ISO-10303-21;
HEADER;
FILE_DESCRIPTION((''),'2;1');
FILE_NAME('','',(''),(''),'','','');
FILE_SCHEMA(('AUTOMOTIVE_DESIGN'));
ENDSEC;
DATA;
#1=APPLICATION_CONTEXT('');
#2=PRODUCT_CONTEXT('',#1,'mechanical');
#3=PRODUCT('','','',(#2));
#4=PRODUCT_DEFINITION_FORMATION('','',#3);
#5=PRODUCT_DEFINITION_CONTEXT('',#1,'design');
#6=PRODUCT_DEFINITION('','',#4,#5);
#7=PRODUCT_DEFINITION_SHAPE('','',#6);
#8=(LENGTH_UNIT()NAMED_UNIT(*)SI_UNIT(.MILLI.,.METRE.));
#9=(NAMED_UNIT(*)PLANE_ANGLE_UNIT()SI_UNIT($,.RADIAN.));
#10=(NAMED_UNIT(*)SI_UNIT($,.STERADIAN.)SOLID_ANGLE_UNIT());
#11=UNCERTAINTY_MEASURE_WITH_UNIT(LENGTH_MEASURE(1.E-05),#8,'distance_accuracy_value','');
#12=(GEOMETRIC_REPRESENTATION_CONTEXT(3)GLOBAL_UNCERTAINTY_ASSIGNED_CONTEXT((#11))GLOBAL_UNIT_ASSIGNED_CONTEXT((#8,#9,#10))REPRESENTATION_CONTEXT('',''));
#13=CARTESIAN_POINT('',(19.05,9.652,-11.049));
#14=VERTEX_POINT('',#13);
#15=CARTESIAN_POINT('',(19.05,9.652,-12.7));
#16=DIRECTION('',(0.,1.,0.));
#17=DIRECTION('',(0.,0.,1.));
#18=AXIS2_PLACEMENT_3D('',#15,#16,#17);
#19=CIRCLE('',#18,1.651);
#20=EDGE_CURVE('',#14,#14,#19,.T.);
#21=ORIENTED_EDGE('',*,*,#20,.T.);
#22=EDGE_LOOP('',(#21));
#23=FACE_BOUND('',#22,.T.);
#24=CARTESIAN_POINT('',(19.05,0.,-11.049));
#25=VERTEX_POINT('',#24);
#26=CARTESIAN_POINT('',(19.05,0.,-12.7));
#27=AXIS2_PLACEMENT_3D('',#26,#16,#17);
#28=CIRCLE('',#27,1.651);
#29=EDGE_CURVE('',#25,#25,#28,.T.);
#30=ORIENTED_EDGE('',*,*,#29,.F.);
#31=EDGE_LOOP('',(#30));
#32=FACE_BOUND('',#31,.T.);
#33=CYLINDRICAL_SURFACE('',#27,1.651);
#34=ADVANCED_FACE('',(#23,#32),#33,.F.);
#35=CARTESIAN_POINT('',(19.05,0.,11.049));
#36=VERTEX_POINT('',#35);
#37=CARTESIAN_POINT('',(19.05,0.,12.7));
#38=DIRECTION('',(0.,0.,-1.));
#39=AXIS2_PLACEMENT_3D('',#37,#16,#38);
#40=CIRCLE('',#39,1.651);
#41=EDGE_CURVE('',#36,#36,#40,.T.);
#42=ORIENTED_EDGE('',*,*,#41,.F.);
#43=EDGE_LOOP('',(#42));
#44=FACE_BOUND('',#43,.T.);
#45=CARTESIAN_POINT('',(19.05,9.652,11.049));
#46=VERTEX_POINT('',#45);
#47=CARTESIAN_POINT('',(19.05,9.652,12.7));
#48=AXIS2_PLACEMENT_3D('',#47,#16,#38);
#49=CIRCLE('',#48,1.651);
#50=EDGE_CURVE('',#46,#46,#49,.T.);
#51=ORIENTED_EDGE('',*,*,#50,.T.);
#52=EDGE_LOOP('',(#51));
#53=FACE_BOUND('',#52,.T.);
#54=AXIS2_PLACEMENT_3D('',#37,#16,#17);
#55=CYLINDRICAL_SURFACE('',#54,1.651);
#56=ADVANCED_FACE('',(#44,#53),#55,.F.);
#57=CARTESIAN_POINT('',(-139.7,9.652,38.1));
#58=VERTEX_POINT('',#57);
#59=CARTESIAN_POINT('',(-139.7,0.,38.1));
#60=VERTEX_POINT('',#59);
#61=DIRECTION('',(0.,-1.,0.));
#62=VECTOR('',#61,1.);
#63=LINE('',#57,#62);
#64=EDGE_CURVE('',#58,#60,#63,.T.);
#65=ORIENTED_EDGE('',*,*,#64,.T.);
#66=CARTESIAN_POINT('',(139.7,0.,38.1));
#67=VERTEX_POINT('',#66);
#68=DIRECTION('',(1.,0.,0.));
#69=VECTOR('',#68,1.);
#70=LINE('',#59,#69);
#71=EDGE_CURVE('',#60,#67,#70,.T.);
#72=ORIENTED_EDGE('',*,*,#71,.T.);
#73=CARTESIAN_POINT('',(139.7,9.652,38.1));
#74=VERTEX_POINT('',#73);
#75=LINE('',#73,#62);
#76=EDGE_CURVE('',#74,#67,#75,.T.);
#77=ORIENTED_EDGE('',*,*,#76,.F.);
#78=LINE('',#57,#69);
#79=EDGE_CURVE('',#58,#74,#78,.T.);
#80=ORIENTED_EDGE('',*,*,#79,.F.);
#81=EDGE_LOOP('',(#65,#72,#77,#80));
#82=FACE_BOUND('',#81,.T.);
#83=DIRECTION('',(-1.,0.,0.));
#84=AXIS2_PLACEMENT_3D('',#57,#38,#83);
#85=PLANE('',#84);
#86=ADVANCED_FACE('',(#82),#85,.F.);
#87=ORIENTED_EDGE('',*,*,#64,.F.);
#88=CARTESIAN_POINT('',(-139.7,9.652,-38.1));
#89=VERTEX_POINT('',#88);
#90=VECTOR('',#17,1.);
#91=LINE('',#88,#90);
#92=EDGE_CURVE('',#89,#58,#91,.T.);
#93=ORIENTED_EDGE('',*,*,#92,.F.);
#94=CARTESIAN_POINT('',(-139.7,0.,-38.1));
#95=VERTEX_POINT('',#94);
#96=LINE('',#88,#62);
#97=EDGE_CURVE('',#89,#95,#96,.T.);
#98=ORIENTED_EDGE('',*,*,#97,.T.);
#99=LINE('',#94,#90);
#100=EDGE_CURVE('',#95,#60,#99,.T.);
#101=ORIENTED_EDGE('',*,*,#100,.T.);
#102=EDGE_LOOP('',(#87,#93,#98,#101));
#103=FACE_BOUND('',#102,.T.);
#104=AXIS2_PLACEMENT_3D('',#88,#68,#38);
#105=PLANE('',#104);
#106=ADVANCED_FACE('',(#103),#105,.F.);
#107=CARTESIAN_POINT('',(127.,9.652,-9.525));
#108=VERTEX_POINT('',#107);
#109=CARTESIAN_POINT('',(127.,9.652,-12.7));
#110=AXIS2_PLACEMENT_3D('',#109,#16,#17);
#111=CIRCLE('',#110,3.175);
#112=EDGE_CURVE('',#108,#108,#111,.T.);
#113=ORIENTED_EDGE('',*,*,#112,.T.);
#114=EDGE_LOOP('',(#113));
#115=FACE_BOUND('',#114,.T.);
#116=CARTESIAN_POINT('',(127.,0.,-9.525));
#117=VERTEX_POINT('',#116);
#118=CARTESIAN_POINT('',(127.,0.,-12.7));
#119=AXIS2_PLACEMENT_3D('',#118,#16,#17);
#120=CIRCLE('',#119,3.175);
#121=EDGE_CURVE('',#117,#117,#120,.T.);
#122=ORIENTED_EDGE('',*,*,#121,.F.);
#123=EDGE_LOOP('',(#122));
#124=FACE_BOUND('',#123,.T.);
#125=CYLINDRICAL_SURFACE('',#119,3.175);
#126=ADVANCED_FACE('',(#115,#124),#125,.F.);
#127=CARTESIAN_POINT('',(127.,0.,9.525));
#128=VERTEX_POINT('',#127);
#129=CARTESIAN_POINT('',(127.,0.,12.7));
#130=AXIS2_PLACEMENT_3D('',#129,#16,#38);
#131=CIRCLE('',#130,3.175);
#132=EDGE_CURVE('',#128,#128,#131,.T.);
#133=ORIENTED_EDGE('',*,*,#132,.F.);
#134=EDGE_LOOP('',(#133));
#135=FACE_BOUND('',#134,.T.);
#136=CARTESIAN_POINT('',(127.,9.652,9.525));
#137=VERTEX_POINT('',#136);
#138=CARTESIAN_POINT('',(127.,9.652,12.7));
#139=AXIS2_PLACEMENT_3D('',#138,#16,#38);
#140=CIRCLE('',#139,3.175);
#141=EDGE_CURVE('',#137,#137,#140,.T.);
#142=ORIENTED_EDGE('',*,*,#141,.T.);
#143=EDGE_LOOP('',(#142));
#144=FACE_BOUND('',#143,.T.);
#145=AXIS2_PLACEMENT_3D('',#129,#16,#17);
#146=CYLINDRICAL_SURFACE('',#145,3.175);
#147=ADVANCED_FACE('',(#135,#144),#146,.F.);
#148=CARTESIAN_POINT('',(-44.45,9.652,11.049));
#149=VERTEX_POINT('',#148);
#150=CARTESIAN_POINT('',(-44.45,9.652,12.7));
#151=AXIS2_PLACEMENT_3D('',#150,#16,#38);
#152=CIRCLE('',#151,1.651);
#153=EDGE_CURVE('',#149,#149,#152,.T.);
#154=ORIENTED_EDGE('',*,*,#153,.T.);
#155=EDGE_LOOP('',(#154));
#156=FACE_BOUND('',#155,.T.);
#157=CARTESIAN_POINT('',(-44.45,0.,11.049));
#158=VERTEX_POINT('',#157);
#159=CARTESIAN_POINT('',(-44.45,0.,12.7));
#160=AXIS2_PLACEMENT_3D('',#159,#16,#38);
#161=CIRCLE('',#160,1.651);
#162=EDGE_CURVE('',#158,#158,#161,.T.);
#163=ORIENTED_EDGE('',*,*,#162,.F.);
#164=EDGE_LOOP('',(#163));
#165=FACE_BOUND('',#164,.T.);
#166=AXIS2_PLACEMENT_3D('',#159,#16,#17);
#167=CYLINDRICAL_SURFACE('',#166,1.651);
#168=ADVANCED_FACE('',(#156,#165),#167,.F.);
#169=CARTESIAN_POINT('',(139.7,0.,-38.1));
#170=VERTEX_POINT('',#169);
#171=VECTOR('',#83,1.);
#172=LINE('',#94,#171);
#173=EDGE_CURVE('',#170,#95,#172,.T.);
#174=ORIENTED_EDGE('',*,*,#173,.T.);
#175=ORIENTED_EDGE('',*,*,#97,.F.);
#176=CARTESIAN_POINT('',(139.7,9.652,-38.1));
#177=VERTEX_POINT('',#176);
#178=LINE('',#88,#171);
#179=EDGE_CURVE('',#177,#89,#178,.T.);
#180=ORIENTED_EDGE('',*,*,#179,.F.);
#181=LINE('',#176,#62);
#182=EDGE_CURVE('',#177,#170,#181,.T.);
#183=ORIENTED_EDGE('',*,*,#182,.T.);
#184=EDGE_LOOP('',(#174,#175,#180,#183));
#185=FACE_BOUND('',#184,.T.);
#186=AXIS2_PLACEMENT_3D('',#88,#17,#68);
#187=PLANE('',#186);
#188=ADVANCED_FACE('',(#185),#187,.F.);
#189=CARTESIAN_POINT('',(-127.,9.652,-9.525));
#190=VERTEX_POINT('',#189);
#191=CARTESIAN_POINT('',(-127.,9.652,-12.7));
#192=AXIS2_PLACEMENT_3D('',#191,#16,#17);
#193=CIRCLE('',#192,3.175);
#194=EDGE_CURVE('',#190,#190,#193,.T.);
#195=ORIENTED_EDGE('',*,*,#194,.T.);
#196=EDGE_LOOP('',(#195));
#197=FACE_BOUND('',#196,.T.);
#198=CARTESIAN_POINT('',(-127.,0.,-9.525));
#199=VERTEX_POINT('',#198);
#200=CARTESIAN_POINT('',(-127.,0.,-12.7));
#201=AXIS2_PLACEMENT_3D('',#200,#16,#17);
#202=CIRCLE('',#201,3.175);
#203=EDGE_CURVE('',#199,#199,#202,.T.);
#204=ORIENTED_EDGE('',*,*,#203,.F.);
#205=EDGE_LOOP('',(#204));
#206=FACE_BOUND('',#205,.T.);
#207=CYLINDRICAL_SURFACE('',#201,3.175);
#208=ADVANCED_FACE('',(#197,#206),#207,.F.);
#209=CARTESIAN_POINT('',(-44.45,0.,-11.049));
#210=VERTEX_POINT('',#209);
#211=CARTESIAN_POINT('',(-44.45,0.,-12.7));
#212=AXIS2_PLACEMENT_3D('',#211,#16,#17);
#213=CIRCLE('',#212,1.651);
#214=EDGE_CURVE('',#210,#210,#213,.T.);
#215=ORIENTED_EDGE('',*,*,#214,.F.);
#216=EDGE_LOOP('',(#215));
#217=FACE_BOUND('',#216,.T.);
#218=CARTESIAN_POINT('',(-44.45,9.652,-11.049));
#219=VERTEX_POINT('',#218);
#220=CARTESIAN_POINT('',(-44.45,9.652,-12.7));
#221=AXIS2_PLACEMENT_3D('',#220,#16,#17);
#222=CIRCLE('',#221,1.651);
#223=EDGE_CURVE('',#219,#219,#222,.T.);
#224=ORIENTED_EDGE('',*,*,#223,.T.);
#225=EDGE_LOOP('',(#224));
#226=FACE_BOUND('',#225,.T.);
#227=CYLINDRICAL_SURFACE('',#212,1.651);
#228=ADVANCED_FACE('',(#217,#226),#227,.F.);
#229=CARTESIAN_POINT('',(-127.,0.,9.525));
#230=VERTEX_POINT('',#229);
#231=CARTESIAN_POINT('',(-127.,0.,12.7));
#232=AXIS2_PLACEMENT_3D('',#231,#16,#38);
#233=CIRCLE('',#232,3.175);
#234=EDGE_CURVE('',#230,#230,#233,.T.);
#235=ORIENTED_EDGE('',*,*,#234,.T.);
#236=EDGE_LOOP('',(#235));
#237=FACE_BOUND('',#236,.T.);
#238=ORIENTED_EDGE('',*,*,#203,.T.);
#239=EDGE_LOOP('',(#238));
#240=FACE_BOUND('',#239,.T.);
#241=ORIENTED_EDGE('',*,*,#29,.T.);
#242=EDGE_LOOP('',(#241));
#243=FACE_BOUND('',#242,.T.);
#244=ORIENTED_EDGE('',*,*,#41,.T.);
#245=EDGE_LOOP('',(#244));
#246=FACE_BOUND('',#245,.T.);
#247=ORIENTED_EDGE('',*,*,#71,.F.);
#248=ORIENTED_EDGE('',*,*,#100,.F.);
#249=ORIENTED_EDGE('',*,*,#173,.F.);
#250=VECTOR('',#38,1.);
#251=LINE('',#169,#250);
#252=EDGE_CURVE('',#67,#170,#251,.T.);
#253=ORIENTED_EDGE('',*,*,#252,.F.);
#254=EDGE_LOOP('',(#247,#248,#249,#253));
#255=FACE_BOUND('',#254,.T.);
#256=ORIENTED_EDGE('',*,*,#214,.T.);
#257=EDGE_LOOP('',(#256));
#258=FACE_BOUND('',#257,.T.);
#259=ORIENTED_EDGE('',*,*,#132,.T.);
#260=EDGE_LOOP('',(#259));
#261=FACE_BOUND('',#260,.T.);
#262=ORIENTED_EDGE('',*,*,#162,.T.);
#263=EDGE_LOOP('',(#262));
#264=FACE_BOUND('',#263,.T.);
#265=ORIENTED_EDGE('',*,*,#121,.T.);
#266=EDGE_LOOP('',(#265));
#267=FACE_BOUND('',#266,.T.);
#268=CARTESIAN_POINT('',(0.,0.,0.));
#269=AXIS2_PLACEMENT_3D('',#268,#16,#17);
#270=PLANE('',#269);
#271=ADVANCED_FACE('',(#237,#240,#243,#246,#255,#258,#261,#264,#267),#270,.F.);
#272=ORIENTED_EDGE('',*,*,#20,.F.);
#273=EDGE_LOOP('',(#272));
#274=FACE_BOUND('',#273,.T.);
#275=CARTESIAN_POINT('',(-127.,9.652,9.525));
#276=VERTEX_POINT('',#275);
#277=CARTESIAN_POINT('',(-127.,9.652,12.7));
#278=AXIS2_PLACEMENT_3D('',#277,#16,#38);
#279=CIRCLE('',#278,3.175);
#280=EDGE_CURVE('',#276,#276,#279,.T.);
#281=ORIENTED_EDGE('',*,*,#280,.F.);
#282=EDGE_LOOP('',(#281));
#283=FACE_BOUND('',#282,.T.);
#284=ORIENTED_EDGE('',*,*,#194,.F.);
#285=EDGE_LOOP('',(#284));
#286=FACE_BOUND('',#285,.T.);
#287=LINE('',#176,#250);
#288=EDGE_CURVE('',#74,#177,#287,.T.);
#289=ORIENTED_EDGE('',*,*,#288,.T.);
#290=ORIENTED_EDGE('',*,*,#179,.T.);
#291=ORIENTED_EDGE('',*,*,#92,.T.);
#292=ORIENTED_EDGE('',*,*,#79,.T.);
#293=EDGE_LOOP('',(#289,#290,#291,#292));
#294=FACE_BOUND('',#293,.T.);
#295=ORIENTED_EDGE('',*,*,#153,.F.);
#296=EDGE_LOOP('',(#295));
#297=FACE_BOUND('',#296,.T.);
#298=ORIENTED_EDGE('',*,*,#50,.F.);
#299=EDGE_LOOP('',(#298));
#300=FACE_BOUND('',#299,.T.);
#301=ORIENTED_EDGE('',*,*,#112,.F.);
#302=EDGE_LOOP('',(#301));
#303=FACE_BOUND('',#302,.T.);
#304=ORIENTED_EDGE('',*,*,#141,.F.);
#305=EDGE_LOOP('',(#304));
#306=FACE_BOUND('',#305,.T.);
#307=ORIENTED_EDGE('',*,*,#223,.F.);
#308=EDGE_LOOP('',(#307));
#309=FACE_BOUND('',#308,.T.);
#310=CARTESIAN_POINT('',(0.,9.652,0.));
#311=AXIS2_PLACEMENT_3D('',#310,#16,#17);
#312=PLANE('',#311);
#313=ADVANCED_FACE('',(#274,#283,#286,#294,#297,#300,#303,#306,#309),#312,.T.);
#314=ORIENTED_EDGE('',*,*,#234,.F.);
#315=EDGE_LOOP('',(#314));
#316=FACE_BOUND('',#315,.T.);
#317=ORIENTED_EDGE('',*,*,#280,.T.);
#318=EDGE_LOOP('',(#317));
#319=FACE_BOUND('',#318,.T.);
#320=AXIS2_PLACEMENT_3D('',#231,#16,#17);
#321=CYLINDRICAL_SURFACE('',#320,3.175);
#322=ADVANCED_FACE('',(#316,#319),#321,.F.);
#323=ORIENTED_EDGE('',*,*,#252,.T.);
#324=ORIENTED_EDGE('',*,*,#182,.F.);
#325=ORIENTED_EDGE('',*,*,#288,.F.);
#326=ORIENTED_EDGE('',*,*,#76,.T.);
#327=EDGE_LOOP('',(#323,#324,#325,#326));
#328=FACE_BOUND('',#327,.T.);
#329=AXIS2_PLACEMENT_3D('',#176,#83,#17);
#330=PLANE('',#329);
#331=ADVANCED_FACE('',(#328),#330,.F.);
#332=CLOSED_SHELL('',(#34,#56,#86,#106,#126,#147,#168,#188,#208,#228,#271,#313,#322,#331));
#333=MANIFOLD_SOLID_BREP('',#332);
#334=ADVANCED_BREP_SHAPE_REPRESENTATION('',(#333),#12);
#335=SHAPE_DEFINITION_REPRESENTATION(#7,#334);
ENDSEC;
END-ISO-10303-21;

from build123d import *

# Parameters (mm, degrees)
SKETCH1_W           = 279.4
SKETCH1_H           = 76.2
BOSS_EXTRUDE1_DEPTH = 9.652
SKETCH2_R           = 3.175
SKETCH2_R_2         = 1.651
CUT_EXTRUDE1_DEPTH  = 9.652


with BuildPart() as part:
    # Sketch1 → Boss-Extrude1 (new body)
    with BuildSketch(Plane(origin=(0, 0, 0), x_dir=(1, 0, 0), z_dir=(0, 1, 0))):
        Rectangle(SKETCH1_W, SKETCH1_H)
    extrude(amount=BOSS_EXTRUDE1_DEPTH)

    # Sketch2 → Cut-Extrude1 (cut)
    with BuildSketch(Plane(origin=(0, 9.652, 0), x_dir=(1, 0, 0), z_dir=(0, 1, 0))):
        with Locations(Location((-127, 12.7, 0), (0, 0, 270))):
            Circle(SKETCH2_R)
        with Locations(Location((-44.45, 12.7, 0), (0, 0, 270))):
            Circle(SKETCH2_R_2)
        with Locations(Location((19.05, 12.7, 0), (0, 0, 270))):
            Circle(SKETCH2_R_2)
        with Locations(Location((127, 12.7, 0), (0, 0, 270))):
            Circle(SKETCH2_R)
        with Locations(Location((127, -12.7, 0), (0, 0, 90))):
            Circle(SKETCH2_R)
        with Locations(Location((19.05, -12.7, 0), (0, 0, 90))):
            Circle(SKETCH2_R_2)
        with Locations(Location((-44.45, -12.7, 0), (0, 0, 90))):
            Circle(SKETCH2_R_2)
        with Locations(Location((-127, -12.7, 0), (0, 0, 90))):
            Circle(SKETCH2_R)
    extrude(amount=-CUT_EXTRUDE1_DEPTH, mode=Mode.SUBTRACT)


solid = part.part
